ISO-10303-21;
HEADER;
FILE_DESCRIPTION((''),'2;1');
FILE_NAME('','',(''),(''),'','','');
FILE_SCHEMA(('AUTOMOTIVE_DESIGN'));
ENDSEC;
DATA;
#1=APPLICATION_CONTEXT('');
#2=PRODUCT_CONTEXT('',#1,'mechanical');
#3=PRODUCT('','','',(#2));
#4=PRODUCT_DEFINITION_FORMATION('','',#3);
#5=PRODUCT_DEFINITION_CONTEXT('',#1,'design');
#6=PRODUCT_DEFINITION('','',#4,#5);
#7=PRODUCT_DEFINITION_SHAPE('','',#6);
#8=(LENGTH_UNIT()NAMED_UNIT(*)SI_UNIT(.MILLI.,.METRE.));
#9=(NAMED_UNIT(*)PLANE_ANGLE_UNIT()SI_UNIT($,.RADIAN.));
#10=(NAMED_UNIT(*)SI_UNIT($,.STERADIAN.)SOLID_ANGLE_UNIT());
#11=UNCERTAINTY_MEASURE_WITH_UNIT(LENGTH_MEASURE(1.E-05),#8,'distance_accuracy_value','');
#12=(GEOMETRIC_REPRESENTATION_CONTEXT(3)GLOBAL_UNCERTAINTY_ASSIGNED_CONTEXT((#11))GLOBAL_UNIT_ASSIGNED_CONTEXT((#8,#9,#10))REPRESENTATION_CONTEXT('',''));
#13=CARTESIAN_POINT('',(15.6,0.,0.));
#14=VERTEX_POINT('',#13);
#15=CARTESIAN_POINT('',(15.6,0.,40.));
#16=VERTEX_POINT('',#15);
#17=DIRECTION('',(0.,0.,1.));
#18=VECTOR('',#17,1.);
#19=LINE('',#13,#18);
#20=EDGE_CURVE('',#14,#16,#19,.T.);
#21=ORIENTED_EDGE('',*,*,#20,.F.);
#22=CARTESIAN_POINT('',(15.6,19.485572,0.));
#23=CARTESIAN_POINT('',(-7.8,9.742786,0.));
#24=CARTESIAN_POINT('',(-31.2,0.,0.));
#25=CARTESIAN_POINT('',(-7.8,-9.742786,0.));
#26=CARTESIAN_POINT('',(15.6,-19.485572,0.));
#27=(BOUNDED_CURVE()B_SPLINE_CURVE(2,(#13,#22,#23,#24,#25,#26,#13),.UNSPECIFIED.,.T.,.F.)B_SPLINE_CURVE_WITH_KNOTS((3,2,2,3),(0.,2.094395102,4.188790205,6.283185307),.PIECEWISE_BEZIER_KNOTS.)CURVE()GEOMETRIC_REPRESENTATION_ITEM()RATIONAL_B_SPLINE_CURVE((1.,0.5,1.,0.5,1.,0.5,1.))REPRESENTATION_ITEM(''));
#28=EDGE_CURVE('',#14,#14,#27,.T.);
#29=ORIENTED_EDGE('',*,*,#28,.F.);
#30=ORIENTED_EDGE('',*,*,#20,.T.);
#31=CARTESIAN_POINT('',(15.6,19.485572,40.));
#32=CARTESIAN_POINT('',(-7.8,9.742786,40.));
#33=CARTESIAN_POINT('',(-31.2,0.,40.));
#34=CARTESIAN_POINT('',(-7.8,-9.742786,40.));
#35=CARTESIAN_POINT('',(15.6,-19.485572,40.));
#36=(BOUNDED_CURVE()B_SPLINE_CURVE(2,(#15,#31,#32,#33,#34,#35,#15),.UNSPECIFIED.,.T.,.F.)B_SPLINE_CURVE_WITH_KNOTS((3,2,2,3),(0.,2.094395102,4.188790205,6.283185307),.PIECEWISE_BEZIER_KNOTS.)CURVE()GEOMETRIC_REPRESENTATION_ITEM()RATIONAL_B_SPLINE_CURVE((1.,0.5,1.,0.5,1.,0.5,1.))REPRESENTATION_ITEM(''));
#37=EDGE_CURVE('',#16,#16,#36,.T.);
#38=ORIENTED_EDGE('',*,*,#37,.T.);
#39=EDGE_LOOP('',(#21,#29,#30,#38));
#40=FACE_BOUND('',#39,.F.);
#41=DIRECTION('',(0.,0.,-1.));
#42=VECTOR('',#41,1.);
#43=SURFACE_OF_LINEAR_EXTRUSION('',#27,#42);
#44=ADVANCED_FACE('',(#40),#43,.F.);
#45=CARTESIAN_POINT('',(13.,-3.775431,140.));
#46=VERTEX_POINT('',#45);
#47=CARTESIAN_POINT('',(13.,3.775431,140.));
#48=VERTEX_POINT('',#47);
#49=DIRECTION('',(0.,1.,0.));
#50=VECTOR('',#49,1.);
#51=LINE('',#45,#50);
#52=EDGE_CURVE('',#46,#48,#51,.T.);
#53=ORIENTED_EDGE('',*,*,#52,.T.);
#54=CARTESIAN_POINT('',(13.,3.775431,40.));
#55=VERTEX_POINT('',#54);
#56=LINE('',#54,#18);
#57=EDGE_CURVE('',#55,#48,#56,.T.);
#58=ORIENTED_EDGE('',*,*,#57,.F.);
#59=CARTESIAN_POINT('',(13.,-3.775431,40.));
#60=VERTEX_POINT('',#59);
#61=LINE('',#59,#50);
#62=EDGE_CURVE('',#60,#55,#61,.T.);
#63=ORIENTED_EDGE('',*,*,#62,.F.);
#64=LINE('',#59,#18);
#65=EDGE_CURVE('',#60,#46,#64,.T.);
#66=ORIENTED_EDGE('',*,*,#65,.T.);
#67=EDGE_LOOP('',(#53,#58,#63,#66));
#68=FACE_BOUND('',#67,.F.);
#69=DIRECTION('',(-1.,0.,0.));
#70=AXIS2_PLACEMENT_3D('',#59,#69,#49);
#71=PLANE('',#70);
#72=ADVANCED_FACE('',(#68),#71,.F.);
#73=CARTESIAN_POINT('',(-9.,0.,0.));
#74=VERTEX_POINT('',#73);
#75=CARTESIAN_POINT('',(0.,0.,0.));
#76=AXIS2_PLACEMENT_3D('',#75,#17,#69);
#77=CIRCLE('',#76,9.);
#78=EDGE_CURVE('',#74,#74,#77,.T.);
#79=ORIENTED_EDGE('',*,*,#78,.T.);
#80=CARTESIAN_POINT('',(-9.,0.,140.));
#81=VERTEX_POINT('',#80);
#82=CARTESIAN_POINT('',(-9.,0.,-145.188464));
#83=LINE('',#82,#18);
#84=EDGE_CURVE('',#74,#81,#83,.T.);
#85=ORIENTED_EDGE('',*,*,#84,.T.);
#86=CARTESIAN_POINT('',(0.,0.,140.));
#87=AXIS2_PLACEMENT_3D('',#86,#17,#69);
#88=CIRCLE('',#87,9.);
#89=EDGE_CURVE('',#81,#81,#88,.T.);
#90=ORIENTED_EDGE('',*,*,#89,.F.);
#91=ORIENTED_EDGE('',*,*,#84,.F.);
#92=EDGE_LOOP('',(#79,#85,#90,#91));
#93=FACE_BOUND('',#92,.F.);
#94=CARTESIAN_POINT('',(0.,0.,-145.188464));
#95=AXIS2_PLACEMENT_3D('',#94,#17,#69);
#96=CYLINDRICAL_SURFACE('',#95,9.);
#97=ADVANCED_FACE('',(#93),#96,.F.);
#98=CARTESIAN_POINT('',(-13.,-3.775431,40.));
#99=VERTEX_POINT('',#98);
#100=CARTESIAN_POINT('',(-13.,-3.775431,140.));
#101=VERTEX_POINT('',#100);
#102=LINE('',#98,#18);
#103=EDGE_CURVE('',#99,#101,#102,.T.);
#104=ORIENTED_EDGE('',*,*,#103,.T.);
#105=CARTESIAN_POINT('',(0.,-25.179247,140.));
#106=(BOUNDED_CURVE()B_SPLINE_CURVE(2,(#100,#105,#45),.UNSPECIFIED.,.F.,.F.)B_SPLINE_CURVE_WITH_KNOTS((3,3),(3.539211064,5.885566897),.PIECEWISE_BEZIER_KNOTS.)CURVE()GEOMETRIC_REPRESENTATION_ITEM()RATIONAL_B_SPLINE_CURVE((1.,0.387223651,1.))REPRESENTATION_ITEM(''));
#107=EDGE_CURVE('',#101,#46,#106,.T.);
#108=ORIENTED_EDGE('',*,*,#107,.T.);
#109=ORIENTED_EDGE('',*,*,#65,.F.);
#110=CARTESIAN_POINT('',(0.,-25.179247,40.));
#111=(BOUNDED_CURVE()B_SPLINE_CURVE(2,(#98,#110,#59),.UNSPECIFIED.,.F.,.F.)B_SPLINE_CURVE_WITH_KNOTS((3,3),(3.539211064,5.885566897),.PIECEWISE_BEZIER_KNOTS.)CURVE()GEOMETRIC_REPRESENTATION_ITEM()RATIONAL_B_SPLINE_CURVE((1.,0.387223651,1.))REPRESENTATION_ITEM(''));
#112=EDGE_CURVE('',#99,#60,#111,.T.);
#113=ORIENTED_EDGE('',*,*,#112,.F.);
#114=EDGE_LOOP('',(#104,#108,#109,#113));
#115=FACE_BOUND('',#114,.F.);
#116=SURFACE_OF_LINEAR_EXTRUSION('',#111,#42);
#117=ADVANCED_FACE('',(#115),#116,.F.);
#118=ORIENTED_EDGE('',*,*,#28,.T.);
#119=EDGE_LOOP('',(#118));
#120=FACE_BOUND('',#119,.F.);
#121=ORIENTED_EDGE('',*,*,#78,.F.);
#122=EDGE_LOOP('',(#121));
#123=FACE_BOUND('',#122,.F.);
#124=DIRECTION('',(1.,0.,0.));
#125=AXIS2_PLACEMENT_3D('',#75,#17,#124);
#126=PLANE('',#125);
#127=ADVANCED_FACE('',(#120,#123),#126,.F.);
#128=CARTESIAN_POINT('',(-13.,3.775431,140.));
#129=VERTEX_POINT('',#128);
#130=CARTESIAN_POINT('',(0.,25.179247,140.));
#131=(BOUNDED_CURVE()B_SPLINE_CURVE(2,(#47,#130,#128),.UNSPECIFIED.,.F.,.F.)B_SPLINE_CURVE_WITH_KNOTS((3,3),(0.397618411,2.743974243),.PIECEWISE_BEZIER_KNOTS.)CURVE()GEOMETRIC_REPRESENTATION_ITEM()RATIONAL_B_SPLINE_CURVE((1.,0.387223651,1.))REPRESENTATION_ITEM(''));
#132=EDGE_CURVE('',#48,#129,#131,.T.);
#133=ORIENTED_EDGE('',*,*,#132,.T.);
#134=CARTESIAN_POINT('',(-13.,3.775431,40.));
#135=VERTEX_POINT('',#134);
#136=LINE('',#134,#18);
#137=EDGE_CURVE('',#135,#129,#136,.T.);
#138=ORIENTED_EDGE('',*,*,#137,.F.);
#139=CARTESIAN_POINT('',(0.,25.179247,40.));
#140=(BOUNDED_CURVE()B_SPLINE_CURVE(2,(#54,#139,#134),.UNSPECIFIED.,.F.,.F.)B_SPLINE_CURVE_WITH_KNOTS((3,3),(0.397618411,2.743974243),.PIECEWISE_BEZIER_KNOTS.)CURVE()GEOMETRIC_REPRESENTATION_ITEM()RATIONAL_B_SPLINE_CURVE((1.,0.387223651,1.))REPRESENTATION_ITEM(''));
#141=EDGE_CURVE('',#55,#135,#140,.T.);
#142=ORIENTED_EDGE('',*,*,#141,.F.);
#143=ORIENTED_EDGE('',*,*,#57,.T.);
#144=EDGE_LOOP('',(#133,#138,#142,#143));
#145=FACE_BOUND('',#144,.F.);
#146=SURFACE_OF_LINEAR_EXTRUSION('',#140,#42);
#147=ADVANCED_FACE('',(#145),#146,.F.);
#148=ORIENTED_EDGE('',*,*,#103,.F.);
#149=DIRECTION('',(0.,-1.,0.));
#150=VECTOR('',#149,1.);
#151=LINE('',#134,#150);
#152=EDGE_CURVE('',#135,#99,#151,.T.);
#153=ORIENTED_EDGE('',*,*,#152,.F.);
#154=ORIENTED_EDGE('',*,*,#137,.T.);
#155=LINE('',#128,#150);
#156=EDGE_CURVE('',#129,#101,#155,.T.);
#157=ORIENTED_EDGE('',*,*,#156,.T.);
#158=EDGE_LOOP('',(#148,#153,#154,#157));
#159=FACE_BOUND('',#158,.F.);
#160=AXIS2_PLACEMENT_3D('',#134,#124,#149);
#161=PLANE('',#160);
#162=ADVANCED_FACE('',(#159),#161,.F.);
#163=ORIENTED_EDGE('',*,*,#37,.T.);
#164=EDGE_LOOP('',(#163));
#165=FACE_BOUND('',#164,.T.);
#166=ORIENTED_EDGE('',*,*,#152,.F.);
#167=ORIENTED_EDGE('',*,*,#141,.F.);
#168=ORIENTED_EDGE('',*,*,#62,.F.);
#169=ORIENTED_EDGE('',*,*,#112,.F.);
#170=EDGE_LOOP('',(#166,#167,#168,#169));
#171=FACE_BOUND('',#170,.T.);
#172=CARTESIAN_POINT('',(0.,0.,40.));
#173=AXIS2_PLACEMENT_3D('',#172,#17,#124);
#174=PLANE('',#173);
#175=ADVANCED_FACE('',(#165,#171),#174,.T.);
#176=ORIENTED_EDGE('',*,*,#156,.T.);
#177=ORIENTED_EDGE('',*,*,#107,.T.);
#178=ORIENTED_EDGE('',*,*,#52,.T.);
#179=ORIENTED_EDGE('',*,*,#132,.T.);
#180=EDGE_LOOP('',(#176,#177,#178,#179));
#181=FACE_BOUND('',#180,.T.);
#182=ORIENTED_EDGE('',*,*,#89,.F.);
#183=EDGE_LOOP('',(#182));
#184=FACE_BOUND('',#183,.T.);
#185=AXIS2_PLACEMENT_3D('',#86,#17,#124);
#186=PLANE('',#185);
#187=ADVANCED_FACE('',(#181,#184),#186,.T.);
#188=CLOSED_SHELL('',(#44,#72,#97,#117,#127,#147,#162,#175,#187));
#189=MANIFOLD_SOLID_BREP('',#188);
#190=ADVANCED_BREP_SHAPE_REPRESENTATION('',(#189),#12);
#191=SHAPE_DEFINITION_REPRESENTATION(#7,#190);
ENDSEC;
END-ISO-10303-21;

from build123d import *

# Parameters (mm, degrees)
F1_DEPTH = 40
F3_DEPTH = 100
F4_D     = 18


with BuildPart() as f1:
    # F0 (on Top) → F1 (new body)
    with BuildSketch(Plane.XY):
        with BuildLine():
            add(Edge.make_bspline(
                [(15.6, 0), (15.6, 19.4855715851), (-7.8, 9.7427857926), (-31.2, 0), (-7.8, -9.7427857926), (15.6, -19.4855715851), (15.6, 0)],
                knots=[0, 0, 0, 2.0943951024, 2.0943951024, 4.1887902048, 4.1887902048, 6.2831853072, 6.2831853072, 6.2831853072], degree=2, weights=[1, 0.5, 1, 0.5, 1, 0.5, 1]))
        make_face()
    extrude(amount=F1_DEPTH)

    # F2 (on face) → F3 (join)
    with BuildSketch(Plane.XY.offset(40)):
        with BuildLine():
            Line((13, -3.7754305964), (13, 3.7754305964))
            add(Edge.make_bspline(
                [(13, 3.7754305964), (0, 25.1792471276), (-13, 3.7754305964)],
                knots=[0.3976184106, 0.3976184106, 0.3976184106, 2.743974243, 2.743974243, 2.743974243], degree=2, weights=[1, 0.3872236509, 1]))
            Line((-13, 3.7754305964), (-13, -3.7754305964))
            add(Edge.make_bspline(
                [(-13, -3.7754305964), (0, -25.1792471276), (13, -3.7754305964)],
                knots=[3.5392110642, 3.5392110642, 3.5392110642, 5.8855668966, 5.8855668966, 5.8855668966], degree=2, weights=[1, 0.3872236509, 1]))
        make_face()
    extrude(amount=F3_DEPTH)

    # F4 (through all)
    with Locations(Plane(origin=(0, 0, 0), x_dir=(1, 0, 0), z_dir=(0, 0, -1))):
        with Locations((0, 0)):
            Hole(F4_D / 2)


solid = f1.part
